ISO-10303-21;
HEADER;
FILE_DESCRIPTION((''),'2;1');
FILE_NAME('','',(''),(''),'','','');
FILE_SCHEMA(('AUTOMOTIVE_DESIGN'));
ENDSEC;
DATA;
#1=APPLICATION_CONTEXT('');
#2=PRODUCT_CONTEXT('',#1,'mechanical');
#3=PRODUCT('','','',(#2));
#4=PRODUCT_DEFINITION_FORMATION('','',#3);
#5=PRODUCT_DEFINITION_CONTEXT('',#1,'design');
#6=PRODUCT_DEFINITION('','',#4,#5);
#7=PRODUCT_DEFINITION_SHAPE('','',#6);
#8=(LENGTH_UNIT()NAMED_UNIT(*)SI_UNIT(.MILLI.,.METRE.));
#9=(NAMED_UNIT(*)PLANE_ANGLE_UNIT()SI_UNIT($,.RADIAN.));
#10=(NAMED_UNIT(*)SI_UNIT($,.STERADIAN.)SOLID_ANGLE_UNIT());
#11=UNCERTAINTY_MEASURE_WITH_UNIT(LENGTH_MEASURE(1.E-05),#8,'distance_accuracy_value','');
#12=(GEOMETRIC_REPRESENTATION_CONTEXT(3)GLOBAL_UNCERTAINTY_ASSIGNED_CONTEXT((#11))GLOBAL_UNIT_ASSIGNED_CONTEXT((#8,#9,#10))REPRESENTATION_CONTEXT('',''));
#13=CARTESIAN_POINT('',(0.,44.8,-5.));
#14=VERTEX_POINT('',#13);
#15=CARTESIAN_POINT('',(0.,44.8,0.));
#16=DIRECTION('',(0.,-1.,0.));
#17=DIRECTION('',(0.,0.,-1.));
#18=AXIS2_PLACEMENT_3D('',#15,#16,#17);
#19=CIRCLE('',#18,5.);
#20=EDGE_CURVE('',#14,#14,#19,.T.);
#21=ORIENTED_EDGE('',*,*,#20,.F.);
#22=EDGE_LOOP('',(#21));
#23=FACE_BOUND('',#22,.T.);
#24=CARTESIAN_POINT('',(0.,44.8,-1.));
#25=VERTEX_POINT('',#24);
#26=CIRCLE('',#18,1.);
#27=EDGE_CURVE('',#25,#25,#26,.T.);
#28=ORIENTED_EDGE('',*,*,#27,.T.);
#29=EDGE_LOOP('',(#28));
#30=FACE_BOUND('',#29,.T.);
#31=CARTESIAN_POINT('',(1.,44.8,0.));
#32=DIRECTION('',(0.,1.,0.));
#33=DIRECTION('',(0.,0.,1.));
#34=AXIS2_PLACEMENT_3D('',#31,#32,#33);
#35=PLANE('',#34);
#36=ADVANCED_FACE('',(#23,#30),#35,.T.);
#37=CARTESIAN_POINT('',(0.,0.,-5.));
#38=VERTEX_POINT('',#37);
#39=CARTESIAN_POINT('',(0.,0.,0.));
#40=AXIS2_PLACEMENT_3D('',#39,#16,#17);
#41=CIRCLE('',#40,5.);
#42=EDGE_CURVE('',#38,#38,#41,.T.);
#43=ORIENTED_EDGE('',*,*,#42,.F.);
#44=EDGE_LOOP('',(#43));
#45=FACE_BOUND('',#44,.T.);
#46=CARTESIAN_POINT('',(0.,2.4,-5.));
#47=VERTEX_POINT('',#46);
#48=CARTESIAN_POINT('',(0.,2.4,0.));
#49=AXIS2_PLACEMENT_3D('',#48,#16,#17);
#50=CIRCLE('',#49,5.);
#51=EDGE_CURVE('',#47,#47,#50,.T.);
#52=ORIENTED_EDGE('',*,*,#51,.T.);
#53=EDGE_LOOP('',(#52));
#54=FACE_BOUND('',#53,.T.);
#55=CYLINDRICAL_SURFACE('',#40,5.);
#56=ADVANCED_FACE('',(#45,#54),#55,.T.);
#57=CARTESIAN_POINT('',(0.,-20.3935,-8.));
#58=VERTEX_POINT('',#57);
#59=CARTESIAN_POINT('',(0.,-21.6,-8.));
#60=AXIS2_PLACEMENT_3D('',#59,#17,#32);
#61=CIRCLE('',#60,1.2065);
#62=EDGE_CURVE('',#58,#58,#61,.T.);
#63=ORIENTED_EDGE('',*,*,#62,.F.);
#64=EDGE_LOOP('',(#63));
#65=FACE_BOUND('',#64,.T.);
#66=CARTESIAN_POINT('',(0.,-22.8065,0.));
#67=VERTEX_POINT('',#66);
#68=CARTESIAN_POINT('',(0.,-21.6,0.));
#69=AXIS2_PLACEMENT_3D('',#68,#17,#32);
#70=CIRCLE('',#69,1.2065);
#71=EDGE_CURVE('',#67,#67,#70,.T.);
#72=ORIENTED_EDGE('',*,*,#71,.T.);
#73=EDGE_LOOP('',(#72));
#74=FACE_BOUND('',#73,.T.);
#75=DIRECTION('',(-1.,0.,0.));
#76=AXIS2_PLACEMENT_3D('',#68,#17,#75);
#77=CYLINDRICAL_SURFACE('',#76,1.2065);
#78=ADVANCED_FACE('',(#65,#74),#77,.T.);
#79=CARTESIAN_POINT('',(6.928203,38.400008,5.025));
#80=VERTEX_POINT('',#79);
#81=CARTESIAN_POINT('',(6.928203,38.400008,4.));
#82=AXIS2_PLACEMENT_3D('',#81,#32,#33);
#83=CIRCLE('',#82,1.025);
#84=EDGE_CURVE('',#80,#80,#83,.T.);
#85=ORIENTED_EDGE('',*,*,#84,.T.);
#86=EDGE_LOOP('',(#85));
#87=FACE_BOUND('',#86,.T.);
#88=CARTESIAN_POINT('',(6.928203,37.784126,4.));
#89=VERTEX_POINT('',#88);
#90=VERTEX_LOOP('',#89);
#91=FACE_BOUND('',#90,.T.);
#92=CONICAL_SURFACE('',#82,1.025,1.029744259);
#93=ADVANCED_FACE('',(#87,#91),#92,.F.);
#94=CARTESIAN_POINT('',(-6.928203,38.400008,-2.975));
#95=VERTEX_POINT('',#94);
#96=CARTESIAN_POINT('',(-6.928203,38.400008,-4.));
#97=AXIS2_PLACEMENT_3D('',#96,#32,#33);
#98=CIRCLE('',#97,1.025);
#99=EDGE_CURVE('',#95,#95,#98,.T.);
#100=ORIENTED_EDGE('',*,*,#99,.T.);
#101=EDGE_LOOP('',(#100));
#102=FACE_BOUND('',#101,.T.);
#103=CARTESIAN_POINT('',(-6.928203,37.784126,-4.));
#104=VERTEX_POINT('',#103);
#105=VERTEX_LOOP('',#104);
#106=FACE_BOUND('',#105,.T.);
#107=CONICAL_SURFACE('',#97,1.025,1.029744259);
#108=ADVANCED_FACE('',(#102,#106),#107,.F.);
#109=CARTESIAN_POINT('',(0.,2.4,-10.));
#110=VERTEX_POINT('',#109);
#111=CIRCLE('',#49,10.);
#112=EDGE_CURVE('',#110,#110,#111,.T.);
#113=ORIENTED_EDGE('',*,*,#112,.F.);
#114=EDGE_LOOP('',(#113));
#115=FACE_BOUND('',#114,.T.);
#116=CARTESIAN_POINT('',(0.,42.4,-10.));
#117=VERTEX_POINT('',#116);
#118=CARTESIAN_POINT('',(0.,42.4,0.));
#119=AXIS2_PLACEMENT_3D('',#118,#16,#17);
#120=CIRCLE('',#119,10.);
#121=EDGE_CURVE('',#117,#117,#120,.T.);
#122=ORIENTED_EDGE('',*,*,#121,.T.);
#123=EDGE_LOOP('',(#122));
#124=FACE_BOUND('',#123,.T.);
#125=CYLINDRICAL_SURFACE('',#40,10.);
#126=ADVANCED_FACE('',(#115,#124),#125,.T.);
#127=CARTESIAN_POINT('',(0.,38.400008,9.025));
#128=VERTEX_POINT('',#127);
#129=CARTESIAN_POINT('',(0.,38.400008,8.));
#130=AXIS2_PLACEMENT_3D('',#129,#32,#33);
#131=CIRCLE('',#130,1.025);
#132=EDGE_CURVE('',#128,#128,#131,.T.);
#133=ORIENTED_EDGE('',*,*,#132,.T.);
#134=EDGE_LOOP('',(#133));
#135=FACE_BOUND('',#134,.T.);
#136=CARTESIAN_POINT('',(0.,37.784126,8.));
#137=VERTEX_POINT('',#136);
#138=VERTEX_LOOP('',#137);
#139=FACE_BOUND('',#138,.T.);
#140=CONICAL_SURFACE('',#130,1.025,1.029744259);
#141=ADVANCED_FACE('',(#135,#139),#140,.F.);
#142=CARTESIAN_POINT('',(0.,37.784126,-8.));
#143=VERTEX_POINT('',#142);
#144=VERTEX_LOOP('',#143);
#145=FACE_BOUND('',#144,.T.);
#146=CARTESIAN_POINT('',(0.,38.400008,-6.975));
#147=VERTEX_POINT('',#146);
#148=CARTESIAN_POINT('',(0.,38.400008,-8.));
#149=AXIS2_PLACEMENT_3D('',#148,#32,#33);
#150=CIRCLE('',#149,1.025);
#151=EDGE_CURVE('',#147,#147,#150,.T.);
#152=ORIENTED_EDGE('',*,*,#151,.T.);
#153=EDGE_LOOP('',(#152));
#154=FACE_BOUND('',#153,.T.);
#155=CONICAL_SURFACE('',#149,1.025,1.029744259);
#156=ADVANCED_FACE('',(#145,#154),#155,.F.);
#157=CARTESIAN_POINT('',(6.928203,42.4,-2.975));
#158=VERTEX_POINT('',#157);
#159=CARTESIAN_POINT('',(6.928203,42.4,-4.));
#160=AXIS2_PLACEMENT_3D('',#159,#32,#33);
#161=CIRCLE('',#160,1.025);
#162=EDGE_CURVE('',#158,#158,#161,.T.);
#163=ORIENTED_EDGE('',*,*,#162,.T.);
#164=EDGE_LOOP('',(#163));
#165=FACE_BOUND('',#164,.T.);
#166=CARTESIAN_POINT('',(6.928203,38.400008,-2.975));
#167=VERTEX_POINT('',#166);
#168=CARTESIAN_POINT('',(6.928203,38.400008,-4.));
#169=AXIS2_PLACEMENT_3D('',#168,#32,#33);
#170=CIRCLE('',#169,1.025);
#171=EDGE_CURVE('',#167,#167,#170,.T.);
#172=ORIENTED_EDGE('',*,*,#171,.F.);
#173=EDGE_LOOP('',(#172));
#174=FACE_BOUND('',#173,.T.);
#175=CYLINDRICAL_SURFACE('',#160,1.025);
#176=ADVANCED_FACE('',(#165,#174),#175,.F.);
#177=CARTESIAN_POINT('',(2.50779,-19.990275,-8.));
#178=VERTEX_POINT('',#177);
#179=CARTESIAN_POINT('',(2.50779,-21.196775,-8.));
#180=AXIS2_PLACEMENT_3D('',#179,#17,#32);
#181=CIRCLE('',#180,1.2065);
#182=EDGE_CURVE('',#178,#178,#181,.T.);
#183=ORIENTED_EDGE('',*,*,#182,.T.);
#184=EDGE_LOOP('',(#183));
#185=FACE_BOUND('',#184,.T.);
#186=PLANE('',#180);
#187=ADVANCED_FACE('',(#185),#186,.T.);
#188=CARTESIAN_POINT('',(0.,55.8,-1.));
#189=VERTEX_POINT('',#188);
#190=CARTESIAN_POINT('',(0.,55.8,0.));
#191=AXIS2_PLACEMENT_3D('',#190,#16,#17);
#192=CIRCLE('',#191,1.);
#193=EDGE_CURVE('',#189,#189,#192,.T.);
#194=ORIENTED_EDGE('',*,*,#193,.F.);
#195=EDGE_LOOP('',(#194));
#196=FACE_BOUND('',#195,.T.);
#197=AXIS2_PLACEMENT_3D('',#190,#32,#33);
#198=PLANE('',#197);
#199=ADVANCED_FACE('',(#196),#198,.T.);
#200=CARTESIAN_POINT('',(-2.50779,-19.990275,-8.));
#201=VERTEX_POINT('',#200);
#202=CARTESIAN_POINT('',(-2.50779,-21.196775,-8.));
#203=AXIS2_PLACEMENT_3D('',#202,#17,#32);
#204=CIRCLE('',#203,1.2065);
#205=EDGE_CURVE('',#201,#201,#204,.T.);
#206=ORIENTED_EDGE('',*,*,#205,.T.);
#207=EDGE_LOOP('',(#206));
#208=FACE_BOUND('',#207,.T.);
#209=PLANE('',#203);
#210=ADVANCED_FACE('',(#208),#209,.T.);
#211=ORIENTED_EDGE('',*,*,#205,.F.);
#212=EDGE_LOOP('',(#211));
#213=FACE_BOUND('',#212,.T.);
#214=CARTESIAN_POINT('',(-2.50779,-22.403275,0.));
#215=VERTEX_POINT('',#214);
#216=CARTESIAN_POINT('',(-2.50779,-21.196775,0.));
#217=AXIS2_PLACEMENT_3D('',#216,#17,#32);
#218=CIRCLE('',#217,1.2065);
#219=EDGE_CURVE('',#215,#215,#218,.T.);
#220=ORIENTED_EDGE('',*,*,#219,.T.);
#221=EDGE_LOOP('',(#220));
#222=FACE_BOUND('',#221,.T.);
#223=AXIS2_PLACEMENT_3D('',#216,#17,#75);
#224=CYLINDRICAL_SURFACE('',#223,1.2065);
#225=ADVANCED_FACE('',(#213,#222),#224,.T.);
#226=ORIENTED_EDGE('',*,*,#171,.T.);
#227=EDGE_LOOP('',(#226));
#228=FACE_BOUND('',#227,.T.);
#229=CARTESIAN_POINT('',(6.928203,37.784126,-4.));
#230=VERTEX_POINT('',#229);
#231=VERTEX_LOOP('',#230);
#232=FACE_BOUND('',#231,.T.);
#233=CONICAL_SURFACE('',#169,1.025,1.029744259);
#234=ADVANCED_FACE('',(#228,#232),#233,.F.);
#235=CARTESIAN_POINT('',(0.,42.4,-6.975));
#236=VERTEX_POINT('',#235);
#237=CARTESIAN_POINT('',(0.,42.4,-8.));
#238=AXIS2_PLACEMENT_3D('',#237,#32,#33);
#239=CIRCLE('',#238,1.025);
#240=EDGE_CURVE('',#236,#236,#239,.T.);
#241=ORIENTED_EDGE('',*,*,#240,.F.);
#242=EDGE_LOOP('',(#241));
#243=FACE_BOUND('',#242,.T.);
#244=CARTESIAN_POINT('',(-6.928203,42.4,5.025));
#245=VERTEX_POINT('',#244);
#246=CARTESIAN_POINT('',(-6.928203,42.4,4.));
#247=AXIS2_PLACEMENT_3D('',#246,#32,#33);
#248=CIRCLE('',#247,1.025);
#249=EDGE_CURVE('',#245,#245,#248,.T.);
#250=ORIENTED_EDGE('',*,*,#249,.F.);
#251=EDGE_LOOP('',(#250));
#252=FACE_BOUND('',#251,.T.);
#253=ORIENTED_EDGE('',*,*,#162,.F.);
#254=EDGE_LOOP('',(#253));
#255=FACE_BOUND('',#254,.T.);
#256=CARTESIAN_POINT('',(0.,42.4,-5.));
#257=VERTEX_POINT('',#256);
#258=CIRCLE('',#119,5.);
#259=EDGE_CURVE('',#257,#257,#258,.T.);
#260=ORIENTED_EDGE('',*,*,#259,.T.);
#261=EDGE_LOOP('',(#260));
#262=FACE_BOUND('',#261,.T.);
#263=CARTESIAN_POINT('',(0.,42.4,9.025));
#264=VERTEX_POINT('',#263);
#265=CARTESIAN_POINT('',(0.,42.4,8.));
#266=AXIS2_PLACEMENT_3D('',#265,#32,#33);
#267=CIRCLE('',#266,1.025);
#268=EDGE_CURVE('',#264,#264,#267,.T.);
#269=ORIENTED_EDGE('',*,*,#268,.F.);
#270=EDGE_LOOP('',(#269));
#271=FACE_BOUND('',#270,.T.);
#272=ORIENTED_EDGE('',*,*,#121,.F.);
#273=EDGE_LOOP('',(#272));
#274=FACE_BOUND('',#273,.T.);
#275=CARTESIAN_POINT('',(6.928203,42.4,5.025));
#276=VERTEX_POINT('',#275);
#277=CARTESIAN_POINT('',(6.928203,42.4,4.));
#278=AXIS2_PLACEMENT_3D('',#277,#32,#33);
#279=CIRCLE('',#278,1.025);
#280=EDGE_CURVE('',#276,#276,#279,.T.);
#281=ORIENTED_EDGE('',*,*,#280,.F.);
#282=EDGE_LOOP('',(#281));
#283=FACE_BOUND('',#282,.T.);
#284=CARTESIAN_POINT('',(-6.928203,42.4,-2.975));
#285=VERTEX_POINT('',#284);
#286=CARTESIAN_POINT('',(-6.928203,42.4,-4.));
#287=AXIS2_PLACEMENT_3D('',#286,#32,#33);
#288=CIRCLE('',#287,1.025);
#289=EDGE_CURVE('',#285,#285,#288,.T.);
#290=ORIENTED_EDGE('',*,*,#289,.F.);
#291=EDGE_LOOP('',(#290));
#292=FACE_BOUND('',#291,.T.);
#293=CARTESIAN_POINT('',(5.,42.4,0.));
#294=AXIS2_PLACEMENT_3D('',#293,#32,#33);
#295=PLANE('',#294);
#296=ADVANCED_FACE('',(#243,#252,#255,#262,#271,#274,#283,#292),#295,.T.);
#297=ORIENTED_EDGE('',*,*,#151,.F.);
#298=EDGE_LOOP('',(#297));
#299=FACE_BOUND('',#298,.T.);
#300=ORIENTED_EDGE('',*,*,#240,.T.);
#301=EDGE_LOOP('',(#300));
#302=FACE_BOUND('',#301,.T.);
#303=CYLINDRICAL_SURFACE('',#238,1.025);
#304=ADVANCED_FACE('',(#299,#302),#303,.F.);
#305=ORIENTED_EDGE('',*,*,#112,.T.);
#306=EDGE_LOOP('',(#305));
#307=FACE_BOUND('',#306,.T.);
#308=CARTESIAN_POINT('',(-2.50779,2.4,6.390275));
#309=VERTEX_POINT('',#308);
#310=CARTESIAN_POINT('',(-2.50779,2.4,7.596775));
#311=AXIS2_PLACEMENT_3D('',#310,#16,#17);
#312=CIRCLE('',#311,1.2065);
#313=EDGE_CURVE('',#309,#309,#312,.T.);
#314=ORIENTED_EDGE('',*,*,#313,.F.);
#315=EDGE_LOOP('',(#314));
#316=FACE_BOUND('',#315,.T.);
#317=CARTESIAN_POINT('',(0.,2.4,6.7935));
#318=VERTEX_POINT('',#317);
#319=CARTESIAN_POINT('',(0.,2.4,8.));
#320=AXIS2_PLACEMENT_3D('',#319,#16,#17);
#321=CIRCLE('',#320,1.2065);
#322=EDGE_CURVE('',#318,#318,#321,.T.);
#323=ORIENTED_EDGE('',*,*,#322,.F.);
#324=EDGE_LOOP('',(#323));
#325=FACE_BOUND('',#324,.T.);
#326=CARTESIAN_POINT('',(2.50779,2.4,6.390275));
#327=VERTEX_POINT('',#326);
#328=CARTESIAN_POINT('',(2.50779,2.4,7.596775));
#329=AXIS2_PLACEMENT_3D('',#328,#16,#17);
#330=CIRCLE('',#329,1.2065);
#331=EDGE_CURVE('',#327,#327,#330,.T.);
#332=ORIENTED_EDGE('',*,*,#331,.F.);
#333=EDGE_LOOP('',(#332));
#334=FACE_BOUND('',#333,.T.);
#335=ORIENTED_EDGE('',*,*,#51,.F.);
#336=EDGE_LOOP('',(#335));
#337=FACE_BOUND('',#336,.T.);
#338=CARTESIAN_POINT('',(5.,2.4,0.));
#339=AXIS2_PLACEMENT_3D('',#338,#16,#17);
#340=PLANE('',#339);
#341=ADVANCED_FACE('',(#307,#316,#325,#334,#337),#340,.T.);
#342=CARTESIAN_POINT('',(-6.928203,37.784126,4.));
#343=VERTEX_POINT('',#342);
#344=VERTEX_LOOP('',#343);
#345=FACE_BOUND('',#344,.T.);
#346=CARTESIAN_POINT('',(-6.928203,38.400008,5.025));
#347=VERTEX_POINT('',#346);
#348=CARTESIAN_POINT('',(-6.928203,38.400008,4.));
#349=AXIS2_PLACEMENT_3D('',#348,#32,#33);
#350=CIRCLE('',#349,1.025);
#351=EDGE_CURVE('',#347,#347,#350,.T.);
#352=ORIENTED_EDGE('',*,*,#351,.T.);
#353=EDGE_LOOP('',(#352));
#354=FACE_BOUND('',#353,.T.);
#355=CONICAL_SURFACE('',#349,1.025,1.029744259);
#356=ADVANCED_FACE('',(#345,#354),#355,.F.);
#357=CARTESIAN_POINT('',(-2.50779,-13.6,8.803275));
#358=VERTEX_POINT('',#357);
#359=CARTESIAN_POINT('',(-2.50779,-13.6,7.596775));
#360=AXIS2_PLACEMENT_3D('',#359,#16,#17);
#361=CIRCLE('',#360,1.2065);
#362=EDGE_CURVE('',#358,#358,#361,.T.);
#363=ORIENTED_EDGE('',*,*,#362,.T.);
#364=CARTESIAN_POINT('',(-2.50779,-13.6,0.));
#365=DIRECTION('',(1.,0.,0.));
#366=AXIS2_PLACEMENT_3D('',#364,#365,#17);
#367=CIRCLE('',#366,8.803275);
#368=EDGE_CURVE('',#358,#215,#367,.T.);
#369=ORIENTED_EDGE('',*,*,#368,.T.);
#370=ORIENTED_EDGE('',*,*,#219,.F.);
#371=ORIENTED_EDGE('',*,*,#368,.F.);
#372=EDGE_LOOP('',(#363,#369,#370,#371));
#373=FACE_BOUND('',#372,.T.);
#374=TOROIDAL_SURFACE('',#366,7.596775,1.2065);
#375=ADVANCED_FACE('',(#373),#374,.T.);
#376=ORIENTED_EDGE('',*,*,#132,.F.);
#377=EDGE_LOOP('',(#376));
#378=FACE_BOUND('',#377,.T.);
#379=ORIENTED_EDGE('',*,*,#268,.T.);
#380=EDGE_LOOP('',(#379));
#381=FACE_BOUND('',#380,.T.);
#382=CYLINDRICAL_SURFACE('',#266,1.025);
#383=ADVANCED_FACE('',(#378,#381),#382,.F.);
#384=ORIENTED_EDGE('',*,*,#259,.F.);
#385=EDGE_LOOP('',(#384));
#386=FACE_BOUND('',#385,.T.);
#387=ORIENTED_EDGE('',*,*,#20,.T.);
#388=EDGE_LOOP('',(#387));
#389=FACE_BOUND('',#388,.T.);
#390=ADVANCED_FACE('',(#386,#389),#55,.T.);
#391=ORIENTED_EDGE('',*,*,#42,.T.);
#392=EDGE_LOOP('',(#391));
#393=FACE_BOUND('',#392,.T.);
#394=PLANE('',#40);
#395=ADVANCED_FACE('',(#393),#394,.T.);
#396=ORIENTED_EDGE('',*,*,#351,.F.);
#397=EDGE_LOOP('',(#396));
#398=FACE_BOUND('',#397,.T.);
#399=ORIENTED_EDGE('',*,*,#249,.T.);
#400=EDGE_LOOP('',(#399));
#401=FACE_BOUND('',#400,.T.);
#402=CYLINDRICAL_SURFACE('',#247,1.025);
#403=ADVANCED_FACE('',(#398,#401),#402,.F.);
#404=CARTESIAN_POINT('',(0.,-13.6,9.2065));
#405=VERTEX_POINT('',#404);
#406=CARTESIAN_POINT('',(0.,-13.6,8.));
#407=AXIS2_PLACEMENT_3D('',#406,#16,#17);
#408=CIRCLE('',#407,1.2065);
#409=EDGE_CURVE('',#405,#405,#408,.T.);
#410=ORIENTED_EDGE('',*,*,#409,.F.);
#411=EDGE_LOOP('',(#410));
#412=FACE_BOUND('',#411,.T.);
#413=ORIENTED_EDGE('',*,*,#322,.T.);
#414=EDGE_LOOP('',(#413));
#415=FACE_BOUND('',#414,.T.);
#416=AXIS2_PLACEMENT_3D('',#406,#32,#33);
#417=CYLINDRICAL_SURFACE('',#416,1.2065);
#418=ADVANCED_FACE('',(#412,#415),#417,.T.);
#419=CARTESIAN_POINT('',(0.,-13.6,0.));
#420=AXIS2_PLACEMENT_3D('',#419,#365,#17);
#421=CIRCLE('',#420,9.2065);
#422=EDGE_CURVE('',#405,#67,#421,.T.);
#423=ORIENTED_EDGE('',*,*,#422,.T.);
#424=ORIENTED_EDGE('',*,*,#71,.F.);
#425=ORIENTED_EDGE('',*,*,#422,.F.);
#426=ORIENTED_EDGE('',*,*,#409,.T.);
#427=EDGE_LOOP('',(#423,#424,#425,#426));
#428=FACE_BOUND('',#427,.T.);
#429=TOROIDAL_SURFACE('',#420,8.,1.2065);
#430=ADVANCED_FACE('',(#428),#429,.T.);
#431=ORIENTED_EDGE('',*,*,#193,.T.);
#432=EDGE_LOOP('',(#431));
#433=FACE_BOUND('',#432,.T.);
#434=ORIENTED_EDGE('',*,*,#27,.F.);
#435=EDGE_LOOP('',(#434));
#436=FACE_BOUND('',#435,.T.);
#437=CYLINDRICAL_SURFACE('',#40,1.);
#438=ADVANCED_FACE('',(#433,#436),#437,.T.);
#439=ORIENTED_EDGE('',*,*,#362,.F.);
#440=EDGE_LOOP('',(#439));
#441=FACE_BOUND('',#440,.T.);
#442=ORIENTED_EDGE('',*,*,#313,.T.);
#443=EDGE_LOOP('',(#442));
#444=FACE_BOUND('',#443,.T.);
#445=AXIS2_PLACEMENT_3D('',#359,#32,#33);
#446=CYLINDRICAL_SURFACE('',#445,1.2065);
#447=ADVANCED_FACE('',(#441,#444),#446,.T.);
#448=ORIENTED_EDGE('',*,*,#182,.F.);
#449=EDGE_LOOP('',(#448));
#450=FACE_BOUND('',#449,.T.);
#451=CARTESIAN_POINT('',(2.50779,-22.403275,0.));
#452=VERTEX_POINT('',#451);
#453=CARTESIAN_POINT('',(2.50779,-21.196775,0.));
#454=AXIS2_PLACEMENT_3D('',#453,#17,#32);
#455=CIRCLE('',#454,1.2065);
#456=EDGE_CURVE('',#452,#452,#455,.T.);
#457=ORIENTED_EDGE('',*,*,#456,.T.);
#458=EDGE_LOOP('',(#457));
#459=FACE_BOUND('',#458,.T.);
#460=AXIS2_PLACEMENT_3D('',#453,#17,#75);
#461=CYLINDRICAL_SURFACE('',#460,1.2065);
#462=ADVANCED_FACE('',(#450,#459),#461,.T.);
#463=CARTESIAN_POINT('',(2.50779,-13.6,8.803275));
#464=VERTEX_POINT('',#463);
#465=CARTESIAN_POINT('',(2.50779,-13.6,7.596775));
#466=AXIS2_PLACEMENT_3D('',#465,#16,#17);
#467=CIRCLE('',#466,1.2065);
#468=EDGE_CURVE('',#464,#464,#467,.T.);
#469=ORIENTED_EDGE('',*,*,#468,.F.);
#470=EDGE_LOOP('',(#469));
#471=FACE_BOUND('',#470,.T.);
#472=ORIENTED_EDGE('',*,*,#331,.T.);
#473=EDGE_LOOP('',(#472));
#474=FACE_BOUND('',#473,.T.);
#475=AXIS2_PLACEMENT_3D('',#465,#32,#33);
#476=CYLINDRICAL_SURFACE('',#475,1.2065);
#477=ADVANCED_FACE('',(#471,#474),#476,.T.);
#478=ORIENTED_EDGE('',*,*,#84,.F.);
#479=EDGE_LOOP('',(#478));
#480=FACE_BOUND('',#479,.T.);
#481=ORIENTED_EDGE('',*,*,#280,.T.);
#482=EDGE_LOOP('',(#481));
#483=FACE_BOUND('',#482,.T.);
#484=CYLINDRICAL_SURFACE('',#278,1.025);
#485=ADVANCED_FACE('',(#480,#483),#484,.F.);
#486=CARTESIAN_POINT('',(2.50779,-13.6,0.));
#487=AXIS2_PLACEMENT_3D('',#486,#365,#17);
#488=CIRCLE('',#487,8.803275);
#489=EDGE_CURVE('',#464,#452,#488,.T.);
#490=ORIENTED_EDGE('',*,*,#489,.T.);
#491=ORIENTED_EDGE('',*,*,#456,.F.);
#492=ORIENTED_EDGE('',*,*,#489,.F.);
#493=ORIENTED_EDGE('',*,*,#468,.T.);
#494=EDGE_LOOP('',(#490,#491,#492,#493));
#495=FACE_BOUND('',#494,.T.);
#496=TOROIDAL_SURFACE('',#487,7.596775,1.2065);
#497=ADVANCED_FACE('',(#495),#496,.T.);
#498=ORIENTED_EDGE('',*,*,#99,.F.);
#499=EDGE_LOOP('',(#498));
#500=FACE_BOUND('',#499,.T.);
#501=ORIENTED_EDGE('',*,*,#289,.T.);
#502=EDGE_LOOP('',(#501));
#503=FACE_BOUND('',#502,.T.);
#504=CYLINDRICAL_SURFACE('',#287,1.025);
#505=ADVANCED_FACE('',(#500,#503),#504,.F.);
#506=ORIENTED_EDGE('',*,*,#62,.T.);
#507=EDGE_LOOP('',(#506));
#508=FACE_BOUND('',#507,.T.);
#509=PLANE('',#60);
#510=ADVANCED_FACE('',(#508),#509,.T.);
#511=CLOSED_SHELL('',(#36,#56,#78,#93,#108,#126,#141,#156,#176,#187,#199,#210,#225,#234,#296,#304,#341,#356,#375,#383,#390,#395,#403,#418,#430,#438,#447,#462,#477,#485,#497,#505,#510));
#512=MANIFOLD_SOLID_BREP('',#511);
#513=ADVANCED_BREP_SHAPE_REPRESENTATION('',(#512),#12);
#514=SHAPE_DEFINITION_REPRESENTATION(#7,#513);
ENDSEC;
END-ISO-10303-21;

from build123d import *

# Parameters (mm, degrees)
CIRPATTERN1_COUNT = 6
SKETCH4_R         = 1.2065


with BuildPart() as part:
    # Sketch1 → Revolve1 (revolve)
    with BuildSketch(Plane.XY, mode=Mode.PRIVATE) as revolve1_sk:
        Polygon((0, 55.8), (1, 55.8), (1, 44.8), (5, 44.8), (5, 42.4), (10, 42.4), (10, 2.4), (5, 2.4), (5, 0), (0, 0), align=None)
    revolve(revolve1_sk.sketch.rotate(Axis((0, 0, 0), (0, 1, 0)), 90), axis=Axis((0, 0, 0), (0, 1, 0)))

    # Sketch2 → M2.5x0.45 Tapped Hole1 (revolve, cut)
    with BuildSketch(Plane(origin=(0, 42.4, -8), x_dir=(0, 0, 1), z_dir=(1, 0, 0))):
        Polygon((0, 0), (0, 4.615874135), (1.025, 3.999992), (1.025, 0), align=None)
    m2_5x0_45_tapped_hole1 = revolve(axis=Axis((0, 48.75, -8), (0, -1, 0)), mode=Mode.SUBTRACT)

    # CirPattern1: M2.5x0.45 Tapped Hole1 ×6 about axis
    cirpattern1_axis = Axis((0, 0, 0), (0, 1, 0))
    for i in range(1, CIRPATTERN1_COUNT):
        add(m2_5x0_45_tapped_hole1.rotate(cirpattern1_axis, i * 360 / CIRPATTERN1_COUNT), mode=Mode.SUBTRACT)

    # Sweep1: sweep along a path in Sketch5
    with BuildLine(Plane(origin=(0, 0, 0), x_dir=(0, 0, -1), z_dir=(1, 0, 0))) as sweep1_path:
        Line((-8, 2.4), (-8, -13.6))
        ThreePointArc((-8, -13.6), (-5.656854249, -19.256854249), (0, -21.6))
        Line((0, -21.6), (8, -21.6))
    # Sketch4 → Sweep1 (sweep)
    with BuildSketch(Plane(origin=(0, 2.4, 0), x_dir=(-1, 0, 0), z_dir=(0, -1, 0))):
        with Locations((-2.507789784, -7.596775)):
            Circle(SKETCH4_R)
        with Locations((0, -8)):
            Circle(SKETCH4_R)
        with Locations((2.507789784, -7.596775)):
            Circle(SKETCH4_R)
    sweep(path=sweep1_path.line)


solid = part.part
